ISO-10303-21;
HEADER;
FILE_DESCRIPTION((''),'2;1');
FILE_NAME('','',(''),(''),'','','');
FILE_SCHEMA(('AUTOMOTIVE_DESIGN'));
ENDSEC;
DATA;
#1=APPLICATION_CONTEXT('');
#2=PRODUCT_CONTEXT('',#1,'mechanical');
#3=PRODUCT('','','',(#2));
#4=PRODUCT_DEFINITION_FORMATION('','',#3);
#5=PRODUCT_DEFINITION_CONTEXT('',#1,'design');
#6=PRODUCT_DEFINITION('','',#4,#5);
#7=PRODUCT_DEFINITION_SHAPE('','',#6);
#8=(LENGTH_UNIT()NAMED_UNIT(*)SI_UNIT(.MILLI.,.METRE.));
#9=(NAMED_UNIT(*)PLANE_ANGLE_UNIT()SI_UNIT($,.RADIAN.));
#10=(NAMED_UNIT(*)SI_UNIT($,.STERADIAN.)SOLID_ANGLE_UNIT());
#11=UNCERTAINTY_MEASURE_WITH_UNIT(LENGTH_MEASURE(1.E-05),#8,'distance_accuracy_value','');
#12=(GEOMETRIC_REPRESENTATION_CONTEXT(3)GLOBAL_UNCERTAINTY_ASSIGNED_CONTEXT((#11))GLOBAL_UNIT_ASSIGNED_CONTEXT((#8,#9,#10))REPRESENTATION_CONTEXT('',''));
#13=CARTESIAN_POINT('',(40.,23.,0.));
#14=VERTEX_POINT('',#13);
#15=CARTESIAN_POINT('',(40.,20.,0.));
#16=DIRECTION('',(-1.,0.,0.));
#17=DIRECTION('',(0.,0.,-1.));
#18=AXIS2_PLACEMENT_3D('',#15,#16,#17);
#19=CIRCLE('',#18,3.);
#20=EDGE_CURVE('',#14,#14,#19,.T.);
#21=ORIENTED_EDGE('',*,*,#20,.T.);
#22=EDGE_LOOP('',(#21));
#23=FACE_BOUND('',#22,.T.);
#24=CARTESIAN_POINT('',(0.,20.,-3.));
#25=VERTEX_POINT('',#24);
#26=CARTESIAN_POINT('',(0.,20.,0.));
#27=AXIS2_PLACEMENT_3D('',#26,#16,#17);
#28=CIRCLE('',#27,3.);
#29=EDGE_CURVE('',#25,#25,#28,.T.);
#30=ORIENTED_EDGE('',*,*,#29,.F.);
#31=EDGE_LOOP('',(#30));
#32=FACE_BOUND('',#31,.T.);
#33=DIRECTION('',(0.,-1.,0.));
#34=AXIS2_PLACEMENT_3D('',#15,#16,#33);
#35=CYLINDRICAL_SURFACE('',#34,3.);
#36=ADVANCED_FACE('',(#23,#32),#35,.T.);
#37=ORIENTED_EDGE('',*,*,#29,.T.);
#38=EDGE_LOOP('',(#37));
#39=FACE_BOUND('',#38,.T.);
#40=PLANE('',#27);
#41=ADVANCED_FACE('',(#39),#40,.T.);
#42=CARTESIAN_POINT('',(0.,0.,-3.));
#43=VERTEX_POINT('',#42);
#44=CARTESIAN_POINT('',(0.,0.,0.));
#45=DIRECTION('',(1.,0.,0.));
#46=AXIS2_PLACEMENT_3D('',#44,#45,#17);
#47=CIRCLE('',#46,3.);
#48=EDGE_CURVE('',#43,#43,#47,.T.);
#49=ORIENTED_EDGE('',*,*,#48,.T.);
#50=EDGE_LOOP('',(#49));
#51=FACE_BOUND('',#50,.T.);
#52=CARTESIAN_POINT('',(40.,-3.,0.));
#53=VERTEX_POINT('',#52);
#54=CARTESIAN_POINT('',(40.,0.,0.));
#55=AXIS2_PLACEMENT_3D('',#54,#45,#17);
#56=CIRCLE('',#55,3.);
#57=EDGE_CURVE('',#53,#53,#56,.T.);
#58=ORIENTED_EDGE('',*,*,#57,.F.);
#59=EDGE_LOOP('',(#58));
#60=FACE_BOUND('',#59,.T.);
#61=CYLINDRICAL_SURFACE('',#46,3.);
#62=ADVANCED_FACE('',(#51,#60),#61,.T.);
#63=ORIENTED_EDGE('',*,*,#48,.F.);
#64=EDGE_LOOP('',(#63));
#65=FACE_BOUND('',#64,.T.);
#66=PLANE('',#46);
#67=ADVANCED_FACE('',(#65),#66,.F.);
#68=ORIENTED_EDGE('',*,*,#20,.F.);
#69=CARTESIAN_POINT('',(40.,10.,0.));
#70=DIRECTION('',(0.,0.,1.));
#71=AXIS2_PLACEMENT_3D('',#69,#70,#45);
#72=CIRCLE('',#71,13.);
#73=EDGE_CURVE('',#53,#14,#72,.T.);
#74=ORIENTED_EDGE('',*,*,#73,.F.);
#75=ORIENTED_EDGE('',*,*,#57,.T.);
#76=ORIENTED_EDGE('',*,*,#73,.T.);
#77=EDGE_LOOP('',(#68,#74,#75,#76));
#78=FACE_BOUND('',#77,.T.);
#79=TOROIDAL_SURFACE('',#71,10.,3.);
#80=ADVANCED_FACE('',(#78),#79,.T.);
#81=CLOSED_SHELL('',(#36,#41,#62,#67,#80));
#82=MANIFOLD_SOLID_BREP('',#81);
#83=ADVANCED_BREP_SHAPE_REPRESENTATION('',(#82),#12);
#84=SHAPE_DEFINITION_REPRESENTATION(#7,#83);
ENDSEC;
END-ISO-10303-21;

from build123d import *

# Parameters (mm, degrees)
SKETCH_2_R = 3


with BuildPart() as part:
    # По траектории1: sweep along a path in Эскиз1
    with BuildLine(Plane.XY) as sweep_1_path:
        Line((0, 0), (40, 0))
        ThreePointArc((40, 0), (50, 10), (40, 20))
        Line((40, 20), (0, 20))
    # Эскиз2 → По траектории1 (sweep)
    with BuildSketch(Plane(origin=(0, 0, 0), x_dir=(0, 0, -1), z_dir=(1, 0, 0))):
        Circle(SKETCH_2_R)
    sweep(path=sweep_1_path.line)


solid = part.part
